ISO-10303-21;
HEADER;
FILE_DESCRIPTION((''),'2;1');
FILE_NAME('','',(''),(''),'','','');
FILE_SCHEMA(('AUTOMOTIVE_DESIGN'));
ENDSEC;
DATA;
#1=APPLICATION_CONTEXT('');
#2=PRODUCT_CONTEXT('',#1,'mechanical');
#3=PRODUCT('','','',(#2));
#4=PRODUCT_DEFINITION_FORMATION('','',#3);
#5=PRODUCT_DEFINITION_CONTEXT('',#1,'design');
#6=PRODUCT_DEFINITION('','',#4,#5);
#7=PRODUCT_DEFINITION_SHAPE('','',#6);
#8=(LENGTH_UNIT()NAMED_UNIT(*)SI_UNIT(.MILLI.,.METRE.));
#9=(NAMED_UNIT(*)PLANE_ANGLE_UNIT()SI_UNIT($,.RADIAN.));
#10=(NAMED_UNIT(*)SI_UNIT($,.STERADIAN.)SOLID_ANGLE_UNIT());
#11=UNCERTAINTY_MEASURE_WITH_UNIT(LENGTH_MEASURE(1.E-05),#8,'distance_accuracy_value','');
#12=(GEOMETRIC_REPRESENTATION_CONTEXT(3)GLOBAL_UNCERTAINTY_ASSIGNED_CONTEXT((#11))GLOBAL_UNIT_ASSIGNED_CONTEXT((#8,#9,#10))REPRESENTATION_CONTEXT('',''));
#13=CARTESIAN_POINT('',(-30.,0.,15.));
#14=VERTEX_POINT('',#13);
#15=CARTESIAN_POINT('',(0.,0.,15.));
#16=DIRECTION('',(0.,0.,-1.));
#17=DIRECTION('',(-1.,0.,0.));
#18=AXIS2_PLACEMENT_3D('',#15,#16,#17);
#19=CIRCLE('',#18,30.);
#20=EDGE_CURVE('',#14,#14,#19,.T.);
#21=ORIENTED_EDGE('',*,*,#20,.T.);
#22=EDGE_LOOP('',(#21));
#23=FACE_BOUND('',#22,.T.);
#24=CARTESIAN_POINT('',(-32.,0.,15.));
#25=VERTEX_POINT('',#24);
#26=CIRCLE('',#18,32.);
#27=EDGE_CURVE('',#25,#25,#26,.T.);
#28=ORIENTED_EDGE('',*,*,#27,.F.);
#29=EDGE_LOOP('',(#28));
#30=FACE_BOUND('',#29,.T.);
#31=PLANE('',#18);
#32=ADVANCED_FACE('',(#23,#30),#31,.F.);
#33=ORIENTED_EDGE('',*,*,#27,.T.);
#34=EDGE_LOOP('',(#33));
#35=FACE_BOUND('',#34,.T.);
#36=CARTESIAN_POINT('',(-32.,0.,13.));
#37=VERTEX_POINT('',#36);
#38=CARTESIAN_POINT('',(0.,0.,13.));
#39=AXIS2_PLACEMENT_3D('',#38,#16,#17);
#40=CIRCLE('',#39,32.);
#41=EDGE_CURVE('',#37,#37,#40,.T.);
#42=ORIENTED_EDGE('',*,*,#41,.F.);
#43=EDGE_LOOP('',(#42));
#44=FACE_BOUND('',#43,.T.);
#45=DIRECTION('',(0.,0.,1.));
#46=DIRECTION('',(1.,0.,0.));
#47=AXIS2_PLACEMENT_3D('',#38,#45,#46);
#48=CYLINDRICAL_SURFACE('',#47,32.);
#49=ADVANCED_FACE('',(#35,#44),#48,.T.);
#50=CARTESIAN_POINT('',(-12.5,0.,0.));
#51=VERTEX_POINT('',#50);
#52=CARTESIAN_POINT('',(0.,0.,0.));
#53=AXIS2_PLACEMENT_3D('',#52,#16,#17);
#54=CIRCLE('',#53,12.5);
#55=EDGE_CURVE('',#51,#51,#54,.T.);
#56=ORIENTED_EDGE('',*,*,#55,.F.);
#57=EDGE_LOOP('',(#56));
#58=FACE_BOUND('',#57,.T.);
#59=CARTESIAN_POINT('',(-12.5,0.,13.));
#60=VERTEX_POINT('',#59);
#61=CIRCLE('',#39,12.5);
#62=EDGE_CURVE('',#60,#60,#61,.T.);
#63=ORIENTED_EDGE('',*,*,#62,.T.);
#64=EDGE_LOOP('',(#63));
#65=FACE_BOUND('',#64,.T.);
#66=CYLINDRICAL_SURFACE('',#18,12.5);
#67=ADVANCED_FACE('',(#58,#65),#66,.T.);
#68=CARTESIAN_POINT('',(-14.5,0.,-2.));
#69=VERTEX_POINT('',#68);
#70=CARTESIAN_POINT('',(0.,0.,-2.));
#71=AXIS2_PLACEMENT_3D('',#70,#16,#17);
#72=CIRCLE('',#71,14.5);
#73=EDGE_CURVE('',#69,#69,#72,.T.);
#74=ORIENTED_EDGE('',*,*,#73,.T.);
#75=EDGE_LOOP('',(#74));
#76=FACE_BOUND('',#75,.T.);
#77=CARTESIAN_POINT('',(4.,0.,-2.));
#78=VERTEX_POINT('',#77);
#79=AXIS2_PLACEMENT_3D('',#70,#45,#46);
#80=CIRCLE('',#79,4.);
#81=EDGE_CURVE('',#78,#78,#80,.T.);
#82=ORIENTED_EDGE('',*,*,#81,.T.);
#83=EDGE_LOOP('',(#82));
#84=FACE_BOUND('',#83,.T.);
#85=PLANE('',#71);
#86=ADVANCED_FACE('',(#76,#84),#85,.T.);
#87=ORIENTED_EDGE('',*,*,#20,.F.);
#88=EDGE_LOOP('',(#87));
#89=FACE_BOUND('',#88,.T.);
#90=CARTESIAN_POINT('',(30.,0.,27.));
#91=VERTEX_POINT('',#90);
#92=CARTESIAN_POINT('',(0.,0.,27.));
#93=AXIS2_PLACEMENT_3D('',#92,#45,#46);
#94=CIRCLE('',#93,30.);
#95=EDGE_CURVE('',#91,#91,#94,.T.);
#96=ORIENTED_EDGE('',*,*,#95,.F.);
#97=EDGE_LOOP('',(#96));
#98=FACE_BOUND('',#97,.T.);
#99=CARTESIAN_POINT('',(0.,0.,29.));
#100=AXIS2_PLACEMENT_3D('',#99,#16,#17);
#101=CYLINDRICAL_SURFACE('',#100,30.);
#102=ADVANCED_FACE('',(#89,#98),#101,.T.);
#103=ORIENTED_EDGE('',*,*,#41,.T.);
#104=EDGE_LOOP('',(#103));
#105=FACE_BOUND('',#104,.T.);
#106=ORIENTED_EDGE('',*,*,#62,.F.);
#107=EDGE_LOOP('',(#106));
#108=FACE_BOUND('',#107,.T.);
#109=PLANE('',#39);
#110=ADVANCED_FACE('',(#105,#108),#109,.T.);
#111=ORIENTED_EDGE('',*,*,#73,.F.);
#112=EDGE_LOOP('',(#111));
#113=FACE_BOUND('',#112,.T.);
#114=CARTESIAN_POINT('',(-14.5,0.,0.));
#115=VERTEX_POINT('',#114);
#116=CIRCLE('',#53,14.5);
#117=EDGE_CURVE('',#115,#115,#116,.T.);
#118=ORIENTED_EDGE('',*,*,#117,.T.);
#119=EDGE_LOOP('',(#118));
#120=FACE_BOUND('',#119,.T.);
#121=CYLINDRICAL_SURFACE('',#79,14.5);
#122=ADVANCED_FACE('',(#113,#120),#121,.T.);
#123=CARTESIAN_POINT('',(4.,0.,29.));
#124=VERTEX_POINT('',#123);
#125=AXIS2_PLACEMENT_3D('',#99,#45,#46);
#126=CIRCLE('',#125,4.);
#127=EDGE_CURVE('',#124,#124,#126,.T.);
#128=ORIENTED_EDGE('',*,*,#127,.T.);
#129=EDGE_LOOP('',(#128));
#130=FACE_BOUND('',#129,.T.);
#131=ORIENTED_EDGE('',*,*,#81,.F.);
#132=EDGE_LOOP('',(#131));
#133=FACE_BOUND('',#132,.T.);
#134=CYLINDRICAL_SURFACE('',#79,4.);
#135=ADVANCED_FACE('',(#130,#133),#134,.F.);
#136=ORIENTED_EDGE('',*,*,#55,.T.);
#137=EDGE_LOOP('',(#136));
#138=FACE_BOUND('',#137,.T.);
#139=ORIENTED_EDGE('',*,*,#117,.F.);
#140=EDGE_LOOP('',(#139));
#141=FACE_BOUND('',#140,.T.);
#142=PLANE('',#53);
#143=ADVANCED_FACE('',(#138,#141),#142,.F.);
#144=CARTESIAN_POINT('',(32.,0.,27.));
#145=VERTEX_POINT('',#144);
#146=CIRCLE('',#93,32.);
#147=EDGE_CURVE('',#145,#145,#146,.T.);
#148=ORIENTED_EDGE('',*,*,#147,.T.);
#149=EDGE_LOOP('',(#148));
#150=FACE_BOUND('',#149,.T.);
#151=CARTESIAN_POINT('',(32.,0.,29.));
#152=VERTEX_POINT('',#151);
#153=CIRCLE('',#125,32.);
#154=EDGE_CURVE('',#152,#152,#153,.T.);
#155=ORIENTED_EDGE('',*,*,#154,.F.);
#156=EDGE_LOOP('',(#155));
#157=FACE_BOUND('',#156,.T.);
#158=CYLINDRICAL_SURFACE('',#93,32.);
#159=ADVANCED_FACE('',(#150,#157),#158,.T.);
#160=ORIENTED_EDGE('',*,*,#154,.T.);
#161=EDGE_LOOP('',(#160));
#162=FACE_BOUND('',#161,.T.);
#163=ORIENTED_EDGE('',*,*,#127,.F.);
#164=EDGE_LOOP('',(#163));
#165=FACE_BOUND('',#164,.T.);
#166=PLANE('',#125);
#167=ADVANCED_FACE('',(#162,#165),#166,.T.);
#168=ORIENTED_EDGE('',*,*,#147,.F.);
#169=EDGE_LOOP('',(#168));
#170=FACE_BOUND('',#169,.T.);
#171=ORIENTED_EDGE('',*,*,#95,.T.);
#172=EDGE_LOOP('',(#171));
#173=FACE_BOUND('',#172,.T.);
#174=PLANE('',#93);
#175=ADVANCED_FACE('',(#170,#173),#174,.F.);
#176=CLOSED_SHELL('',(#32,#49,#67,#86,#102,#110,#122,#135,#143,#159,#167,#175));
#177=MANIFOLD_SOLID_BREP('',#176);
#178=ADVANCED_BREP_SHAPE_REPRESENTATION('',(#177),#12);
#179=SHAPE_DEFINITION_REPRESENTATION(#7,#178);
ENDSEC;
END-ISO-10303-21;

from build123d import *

# Parameters (mm, degrees)
SKETCH_1_R          = 12.5
EXTRUDE_1_DEPTH     = 15
SKETCH_2_R          = 30
EXTRUDE_2_DEPTH     = 14
SKETCH_3_R          = 32
EXTRUDE_3_DEPTH     = 2
SKETCH_4_R          = 32
EXTRUDE_4_DEPTH     = 2
SKETCH_5_R          = 14.5
EXTRUDE_5_DEPTH     = 2
SKETCH_6_R          = 4
CUT_EXTRUDE_1_DEPTH = 55.854352608


with BuildPart() as part:
    # 草图1 → 拉伸1 (new body)
    with BuildSketch(Plane.XY):
        Circle(SKETCH_1_R)
    extrude(amount=EXTRUDE_1_DEPTH)

    # 草图2 → 拉伸2 (add)
    with BuildSketch(Plane.XY.offset(15)):
        Circle(SKETCH_2_R)
    extrude(amount=EXTRUDE_2_DEPTH)

    # 草图3 → 拉伸3 (add)
    with BuildSketch(Plane.XY.offset(29)):
        Circle(SKETCH_3_R)
    extrude(amount=-EXTRUDE_3_DEPTH)

    # 草图4 → 拉伸4 (add)
    with BuildSketch(Plane(origin=(0, 0, 15), x_dir=(-1, 0, 0), z_dir=(0, 0, -1))):
        with Locations(Location((0, 0, 0), (0, 0, 180))):
            Circle(SKETCH_4_R)
    extrude(amount=EXTRUDE_4_DEPTH)

    # 草图5 → 拉伸5 (add)
    with BuildSketch(Plane(origin=(0, 0, 0), x_dir=(-1, 0, 0), z_dir=(0, 0, -1))):
        Circle(SKETCH_5_R)
    extrude(amount=EXTRUDE_5_DEPTH)

    # 草图6 → 切除-拉伸1 (cut, through all)
    with BuildSketch(Plane.XY.offset(29)):
        Circle(SKETCH_6_R)
    extrude(amount=-CUT_EXTRUDE_1_DEPTH, mode=Mode.SUBTRACT)


solid = part.part
